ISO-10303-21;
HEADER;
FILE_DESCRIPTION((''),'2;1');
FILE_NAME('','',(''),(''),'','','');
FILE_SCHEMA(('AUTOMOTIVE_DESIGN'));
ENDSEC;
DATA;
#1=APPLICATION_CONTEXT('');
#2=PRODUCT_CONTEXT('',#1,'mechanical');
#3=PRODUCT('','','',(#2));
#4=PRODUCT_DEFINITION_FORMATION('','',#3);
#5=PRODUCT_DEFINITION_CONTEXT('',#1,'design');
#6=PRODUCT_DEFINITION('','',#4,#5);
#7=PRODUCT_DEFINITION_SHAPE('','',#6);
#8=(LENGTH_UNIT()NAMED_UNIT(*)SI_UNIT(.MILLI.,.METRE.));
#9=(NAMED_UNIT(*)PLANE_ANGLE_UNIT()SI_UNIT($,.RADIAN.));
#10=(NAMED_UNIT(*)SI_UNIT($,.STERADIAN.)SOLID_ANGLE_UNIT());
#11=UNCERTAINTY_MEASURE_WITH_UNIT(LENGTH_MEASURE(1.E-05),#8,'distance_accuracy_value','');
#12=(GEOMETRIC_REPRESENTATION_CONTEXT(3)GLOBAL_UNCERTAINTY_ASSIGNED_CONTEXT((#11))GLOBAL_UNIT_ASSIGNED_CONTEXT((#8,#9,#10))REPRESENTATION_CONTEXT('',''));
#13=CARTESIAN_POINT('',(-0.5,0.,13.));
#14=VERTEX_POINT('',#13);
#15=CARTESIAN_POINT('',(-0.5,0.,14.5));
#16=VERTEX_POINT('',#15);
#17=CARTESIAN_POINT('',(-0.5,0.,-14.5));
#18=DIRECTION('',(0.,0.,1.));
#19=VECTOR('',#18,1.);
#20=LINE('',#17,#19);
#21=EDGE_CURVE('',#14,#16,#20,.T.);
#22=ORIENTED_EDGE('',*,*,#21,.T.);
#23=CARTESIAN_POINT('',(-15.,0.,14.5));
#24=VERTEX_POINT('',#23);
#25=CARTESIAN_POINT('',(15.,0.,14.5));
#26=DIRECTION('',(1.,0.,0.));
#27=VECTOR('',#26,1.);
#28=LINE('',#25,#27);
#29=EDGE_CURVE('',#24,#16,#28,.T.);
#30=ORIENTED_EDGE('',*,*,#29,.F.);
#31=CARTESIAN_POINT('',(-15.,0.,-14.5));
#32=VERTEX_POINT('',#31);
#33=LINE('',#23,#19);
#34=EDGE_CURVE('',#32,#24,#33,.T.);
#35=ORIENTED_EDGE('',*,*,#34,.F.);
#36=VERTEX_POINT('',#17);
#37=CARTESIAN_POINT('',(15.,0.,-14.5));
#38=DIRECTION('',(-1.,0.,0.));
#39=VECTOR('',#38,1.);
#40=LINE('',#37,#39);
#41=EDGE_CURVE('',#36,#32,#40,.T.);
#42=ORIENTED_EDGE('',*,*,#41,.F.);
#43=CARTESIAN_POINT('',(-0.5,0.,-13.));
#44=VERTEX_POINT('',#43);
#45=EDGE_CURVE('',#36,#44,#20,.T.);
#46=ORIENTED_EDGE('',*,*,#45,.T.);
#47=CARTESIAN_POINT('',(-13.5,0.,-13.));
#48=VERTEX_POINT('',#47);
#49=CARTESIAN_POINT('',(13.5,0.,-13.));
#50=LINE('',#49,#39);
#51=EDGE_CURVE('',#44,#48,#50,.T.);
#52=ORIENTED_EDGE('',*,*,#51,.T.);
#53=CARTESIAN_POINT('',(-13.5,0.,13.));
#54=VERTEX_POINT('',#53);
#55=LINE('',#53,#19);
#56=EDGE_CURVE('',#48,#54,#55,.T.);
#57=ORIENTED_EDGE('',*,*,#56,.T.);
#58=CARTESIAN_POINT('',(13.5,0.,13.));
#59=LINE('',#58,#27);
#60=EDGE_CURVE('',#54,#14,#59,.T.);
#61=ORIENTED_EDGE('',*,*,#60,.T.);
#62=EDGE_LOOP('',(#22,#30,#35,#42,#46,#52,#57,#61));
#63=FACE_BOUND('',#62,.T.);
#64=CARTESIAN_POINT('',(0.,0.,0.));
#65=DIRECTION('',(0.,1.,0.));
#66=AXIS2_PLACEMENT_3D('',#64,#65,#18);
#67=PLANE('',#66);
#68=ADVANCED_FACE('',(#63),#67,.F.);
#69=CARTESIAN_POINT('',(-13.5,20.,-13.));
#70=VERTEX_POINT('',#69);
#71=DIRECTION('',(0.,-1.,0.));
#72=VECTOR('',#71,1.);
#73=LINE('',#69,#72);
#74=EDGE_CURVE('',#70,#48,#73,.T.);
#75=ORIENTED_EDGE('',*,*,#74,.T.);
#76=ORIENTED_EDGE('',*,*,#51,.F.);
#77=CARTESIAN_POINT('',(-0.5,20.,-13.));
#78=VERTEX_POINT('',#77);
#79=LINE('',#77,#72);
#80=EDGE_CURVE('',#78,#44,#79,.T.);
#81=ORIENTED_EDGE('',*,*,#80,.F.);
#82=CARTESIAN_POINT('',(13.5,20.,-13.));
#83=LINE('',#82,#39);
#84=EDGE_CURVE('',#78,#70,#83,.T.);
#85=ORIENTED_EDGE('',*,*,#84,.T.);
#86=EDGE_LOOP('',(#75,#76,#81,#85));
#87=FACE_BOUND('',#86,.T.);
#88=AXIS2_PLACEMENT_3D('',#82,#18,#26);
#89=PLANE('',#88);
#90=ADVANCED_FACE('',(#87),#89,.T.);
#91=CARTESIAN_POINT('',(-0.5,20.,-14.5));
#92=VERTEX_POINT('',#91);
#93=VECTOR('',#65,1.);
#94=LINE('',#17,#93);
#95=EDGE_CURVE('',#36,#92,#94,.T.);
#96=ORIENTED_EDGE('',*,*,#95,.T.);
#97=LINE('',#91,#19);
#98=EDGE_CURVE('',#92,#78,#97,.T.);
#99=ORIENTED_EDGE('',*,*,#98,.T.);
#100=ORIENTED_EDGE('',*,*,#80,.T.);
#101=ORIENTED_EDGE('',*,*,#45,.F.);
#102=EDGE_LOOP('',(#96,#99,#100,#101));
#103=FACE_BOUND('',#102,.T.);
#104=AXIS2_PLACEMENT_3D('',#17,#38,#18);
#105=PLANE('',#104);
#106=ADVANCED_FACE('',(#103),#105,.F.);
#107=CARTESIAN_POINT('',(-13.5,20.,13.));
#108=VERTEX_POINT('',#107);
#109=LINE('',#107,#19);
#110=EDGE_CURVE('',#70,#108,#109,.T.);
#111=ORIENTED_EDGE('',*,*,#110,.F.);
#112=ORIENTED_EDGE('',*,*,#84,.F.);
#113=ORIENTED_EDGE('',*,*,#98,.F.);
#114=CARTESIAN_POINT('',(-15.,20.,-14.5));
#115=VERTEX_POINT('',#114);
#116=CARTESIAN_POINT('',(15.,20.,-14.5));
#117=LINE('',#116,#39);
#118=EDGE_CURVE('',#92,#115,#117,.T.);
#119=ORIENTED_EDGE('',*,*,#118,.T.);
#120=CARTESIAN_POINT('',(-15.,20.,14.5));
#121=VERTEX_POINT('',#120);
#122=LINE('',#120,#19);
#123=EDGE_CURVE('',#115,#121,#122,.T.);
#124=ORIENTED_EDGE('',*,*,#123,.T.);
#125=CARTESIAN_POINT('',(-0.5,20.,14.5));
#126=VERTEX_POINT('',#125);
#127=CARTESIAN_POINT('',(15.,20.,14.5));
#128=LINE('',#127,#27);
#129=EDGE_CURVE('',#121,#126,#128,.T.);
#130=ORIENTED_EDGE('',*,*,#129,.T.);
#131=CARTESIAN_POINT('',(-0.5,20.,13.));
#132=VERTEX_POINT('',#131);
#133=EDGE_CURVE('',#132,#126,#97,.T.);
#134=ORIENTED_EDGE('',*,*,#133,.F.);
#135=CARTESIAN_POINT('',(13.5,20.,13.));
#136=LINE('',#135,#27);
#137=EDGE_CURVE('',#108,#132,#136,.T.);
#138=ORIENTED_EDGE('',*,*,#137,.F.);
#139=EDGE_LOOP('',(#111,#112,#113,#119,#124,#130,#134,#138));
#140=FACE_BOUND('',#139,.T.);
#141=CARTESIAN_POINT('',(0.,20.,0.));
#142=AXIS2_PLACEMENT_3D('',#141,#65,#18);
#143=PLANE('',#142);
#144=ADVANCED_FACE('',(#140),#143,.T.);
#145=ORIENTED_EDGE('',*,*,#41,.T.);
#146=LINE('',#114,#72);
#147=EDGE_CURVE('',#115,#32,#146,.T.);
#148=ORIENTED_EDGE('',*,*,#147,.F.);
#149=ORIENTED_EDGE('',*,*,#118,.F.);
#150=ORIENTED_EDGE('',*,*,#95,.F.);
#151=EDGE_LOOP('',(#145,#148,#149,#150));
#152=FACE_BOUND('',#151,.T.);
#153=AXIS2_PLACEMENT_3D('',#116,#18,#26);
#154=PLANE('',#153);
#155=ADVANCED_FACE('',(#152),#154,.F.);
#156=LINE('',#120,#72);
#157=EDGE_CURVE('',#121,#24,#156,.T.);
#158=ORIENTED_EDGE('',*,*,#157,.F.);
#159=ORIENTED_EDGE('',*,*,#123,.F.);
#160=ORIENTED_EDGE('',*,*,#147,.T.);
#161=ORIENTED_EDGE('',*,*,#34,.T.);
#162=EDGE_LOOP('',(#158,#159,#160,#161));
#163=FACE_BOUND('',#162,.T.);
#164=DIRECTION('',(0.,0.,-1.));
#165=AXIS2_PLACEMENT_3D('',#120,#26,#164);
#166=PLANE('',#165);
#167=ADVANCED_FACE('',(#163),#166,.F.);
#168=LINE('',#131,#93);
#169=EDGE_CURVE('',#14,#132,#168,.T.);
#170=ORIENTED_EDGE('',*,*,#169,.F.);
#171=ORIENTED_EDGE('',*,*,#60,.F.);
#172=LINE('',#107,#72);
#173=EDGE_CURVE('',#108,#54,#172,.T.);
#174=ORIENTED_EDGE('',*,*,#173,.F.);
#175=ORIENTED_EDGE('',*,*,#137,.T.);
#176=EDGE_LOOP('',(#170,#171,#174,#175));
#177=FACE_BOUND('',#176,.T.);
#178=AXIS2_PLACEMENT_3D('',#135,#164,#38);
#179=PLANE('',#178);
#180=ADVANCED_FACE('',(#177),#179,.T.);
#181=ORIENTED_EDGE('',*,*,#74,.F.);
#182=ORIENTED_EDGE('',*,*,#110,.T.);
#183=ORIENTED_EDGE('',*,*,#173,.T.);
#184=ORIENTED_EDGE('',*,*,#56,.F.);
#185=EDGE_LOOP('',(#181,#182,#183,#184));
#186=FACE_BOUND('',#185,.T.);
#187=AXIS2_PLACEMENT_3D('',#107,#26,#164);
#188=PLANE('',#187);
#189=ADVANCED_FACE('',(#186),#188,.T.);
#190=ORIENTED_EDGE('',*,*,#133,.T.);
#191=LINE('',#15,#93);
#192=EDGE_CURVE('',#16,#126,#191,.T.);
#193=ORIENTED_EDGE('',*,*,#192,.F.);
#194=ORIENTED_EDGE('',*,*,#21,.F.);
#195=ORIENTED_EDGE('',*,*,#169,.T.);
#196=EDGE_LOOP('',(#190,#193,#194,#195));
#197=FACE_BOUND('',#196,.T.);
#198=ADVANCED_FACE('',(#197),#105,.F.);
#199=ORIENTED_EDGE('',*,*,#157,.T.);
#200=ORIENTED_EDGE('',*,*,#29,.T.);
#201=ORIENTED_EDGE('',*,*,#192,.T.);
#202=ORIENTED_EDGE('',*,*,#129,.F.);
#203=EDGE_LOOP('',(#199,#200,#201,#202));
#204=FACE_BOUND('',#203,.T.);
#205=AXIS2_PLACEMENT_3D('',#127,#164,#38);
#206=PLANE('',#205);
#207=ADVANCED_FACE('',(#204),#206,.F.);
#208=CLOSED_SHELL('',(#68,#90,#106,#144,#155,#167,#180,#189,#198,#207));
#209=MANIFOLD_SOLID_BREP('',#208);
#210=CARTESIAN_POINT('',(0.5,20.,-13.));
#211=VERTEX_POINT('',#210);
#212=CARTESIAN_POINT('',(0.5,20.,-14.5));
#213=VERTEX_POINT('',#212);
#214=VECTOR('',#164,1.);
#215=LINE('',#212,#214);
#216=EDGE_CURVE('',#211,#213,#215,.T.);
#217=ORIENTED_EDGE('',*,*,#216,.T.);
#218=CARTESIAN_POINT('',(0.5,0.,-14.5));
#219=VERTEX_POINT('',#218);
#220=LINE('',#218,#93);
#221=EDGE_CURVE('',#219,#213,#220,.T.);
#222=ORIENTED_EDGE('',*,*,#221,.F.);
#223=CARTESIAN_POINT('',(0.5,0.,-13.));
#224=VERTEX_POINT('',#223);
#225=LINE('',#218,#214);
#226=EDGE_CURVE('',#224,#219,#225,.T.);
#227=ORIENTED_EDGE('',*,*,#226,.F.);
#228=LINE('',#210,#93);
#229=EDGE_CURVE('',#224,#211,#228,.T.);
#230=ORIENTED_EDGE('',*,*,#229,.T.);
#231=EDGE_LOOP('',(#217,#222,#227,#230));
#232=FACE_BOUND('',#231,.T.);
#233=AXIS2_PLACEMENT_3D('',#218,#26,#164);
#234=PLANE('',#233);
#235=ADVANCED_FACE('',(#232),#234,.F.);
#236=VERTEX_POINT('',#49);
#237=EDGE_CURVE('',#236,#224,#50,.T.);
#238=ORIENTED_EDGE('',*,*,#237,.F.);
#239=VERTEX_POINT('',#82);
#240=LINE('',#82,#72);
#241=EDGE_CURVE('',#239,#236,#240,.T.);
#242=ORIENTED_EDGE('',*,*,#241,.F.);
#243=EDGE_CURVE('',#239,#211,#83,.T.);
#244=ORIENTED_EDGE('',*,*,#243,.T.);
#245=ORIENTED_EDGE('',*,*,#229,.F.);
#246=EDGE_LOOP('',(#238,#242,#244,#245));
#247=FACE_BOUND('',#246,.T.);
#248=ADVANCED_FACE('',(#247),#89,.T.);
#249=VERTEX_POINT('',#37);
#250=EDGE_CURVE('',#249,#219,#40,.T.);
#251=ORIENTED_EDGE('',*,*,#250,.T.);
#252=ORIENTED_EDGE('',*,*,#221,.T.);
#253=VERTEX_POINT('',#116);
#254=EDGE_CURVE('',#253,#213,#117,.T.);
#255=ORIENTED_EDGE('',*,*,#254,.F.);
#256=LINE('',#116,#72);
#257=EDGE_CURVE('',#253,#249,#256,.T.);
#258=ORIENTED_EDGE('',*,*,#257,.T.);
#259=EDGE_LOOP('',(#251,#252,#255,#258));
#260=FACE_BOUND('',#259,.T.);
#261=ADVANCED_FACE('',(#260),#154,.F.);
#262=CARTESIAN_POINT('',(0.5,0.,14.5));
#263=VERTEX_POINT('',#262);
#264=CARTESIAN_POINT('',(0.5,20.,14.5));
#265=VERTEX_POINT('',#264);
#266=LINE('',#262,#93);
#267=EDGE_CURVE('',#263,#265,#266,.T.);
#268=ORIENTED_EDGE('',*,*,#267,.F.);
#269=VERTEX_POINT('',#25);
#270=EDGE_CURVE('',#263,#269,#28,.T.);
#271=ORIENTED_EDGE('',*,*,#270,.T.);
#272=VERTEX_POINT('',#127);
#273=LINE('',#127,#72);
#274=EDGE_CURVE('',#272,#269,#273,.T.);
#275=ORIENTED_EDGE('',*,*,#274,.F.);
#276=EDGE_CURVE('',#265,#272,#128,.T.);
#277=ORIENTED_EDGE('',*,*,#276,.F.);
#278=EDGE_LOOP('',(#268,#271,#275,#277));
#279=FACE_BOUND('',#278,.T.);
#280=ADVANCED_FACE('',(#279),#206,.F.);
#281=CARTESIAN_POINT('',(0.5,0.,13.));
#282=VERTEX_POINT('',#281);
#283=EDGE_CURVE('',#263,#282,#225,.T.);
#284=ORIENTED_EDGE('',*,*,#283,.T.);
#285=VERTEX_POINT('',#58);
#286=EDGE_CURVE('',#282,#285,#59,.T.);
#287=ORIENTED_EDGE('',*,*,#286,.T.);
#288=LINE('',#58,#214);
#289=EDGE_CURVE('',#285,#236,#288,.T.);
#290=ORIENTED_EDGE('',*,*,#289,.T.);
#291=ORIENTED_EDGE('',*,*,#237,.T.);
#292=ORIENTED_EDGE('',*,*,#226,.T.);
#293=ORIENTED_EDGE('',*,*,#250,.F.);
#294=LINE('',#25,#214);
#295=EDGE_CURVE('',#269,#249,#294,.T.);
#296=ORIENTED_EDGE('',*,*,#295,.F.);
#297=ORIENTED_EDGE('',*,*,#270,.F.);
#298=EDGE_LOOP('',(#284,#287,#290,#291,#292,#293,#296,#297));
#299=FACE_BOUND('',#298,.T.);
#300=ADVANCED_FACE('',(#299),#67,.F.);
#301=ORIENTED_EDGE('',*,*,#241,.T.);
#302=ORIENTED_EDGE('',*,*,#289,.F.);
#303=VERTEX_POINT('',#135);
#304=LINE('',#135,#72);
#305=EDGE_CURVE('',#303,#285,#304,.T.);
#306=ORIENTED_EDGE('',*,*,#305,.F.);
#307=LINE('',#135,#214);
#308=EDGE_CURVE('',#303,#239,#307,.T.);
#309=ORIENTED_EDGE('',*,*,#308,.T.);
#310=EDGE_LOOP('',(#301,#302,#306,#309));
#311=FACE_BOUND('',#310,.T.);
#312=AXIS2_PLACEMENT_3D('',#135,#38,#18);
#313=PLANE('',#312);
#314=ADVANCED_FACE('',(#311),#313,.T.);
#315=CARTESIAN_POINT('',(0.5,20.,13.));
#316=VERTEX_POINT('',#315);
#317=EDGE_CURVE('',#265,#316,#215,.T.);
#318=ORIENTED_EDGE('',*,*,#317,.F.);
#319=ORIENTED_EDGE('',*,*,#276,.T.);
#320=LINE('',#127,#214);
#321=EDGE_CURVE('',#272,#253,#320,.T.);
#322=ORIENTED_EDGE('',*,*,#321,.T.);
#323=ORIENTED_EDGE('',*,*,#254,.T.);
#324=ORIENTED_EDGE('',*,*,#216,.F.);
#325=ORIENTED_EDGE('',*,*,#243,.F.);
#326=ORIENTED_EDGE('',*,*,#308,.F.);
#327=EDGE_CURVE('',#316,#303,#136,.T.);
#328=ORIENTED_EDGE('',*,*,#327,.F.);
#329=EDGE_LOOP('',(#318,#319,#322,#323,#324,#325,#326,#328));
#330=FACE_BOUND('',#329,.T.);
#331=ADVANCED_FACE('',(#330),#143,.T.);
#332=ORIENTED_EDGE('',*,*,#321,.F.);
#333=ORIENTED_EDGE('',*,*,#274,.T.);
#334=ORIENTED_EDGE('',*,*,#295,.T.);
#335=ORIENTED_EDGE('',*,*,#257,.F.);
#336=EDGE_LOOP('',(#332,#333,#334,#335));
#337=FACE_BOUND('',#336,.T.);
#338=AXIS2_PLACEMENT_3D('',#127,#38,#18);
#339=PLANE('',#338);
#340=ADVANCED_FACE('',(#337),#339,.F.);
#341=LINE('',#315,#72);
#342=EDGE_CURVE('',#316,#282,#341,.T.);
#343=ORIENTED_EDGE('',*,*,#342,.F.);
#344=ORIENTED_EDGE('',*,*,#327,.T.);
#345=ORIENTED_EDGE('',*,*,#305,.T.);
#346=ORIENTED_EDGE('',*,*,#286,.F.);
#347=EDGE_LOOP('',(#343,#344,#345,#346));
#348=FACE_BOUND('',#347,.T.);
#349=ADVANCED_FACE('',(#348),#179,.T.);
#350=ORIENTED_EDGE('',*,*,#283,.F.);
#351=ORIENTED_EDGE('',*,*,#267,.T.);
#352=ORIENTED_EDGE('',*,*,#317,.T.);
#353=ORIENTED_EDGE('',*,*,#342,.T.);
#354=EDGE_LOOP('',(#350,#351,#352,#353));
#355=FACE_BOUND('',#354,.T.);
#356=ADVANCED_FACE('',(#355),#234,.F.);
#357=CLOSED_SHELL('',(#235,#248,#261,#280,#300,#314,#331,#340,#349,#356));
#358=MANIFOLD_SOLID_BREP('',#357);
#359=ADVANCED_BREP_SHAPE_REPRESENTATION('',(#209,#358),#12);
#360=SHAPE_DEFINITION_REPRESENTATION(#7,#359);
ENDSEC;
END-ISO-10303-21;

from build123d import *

# Parameters (mm, degrees)
SKETCH1_W           = 30
SKETCH1_H           = 29
SKETCH1_W_2         = 27
SKETCH1_H_2         = 26
BOSS_EXTRUDE1_DEPTH = 20
SKETCH2_W           = 1
SKETCH2_H           = 29
CUT_EXTRUDE1_DEPTH  = 21


with BuildPart() as part:
    # Sketch1 → Boss-Extrude1 (new body)
    with BuildSketch(Plane(origin=(0, 0, 0), x_dir=(1, 0, 0), z_dir=(0, 1, 0))):
        Rectangle(SKETCH1_W, SKETCH1_H)
        Rectangle(SKETCH1_W_2, SKETCH1_H_2, mode=Mode.SUBTRACT)
    extrude(amount=BOSS_EXTRUDE1_DEPTH)

    # Sketch2 → Cut-Extrude1 (cut, through all)
    with BuildSketch(Plane(origin=(0, 20, 0), x_dir=(1, 0, 0), z_dir=(0, 1, 0))):
        Rectangle(SKETCH2_W, SKETCH2_H)
    extrude(amount=-CUT_EXTRUDE1_DEPTH, mode=Mode.SUBTRACT)


solid = part.part
